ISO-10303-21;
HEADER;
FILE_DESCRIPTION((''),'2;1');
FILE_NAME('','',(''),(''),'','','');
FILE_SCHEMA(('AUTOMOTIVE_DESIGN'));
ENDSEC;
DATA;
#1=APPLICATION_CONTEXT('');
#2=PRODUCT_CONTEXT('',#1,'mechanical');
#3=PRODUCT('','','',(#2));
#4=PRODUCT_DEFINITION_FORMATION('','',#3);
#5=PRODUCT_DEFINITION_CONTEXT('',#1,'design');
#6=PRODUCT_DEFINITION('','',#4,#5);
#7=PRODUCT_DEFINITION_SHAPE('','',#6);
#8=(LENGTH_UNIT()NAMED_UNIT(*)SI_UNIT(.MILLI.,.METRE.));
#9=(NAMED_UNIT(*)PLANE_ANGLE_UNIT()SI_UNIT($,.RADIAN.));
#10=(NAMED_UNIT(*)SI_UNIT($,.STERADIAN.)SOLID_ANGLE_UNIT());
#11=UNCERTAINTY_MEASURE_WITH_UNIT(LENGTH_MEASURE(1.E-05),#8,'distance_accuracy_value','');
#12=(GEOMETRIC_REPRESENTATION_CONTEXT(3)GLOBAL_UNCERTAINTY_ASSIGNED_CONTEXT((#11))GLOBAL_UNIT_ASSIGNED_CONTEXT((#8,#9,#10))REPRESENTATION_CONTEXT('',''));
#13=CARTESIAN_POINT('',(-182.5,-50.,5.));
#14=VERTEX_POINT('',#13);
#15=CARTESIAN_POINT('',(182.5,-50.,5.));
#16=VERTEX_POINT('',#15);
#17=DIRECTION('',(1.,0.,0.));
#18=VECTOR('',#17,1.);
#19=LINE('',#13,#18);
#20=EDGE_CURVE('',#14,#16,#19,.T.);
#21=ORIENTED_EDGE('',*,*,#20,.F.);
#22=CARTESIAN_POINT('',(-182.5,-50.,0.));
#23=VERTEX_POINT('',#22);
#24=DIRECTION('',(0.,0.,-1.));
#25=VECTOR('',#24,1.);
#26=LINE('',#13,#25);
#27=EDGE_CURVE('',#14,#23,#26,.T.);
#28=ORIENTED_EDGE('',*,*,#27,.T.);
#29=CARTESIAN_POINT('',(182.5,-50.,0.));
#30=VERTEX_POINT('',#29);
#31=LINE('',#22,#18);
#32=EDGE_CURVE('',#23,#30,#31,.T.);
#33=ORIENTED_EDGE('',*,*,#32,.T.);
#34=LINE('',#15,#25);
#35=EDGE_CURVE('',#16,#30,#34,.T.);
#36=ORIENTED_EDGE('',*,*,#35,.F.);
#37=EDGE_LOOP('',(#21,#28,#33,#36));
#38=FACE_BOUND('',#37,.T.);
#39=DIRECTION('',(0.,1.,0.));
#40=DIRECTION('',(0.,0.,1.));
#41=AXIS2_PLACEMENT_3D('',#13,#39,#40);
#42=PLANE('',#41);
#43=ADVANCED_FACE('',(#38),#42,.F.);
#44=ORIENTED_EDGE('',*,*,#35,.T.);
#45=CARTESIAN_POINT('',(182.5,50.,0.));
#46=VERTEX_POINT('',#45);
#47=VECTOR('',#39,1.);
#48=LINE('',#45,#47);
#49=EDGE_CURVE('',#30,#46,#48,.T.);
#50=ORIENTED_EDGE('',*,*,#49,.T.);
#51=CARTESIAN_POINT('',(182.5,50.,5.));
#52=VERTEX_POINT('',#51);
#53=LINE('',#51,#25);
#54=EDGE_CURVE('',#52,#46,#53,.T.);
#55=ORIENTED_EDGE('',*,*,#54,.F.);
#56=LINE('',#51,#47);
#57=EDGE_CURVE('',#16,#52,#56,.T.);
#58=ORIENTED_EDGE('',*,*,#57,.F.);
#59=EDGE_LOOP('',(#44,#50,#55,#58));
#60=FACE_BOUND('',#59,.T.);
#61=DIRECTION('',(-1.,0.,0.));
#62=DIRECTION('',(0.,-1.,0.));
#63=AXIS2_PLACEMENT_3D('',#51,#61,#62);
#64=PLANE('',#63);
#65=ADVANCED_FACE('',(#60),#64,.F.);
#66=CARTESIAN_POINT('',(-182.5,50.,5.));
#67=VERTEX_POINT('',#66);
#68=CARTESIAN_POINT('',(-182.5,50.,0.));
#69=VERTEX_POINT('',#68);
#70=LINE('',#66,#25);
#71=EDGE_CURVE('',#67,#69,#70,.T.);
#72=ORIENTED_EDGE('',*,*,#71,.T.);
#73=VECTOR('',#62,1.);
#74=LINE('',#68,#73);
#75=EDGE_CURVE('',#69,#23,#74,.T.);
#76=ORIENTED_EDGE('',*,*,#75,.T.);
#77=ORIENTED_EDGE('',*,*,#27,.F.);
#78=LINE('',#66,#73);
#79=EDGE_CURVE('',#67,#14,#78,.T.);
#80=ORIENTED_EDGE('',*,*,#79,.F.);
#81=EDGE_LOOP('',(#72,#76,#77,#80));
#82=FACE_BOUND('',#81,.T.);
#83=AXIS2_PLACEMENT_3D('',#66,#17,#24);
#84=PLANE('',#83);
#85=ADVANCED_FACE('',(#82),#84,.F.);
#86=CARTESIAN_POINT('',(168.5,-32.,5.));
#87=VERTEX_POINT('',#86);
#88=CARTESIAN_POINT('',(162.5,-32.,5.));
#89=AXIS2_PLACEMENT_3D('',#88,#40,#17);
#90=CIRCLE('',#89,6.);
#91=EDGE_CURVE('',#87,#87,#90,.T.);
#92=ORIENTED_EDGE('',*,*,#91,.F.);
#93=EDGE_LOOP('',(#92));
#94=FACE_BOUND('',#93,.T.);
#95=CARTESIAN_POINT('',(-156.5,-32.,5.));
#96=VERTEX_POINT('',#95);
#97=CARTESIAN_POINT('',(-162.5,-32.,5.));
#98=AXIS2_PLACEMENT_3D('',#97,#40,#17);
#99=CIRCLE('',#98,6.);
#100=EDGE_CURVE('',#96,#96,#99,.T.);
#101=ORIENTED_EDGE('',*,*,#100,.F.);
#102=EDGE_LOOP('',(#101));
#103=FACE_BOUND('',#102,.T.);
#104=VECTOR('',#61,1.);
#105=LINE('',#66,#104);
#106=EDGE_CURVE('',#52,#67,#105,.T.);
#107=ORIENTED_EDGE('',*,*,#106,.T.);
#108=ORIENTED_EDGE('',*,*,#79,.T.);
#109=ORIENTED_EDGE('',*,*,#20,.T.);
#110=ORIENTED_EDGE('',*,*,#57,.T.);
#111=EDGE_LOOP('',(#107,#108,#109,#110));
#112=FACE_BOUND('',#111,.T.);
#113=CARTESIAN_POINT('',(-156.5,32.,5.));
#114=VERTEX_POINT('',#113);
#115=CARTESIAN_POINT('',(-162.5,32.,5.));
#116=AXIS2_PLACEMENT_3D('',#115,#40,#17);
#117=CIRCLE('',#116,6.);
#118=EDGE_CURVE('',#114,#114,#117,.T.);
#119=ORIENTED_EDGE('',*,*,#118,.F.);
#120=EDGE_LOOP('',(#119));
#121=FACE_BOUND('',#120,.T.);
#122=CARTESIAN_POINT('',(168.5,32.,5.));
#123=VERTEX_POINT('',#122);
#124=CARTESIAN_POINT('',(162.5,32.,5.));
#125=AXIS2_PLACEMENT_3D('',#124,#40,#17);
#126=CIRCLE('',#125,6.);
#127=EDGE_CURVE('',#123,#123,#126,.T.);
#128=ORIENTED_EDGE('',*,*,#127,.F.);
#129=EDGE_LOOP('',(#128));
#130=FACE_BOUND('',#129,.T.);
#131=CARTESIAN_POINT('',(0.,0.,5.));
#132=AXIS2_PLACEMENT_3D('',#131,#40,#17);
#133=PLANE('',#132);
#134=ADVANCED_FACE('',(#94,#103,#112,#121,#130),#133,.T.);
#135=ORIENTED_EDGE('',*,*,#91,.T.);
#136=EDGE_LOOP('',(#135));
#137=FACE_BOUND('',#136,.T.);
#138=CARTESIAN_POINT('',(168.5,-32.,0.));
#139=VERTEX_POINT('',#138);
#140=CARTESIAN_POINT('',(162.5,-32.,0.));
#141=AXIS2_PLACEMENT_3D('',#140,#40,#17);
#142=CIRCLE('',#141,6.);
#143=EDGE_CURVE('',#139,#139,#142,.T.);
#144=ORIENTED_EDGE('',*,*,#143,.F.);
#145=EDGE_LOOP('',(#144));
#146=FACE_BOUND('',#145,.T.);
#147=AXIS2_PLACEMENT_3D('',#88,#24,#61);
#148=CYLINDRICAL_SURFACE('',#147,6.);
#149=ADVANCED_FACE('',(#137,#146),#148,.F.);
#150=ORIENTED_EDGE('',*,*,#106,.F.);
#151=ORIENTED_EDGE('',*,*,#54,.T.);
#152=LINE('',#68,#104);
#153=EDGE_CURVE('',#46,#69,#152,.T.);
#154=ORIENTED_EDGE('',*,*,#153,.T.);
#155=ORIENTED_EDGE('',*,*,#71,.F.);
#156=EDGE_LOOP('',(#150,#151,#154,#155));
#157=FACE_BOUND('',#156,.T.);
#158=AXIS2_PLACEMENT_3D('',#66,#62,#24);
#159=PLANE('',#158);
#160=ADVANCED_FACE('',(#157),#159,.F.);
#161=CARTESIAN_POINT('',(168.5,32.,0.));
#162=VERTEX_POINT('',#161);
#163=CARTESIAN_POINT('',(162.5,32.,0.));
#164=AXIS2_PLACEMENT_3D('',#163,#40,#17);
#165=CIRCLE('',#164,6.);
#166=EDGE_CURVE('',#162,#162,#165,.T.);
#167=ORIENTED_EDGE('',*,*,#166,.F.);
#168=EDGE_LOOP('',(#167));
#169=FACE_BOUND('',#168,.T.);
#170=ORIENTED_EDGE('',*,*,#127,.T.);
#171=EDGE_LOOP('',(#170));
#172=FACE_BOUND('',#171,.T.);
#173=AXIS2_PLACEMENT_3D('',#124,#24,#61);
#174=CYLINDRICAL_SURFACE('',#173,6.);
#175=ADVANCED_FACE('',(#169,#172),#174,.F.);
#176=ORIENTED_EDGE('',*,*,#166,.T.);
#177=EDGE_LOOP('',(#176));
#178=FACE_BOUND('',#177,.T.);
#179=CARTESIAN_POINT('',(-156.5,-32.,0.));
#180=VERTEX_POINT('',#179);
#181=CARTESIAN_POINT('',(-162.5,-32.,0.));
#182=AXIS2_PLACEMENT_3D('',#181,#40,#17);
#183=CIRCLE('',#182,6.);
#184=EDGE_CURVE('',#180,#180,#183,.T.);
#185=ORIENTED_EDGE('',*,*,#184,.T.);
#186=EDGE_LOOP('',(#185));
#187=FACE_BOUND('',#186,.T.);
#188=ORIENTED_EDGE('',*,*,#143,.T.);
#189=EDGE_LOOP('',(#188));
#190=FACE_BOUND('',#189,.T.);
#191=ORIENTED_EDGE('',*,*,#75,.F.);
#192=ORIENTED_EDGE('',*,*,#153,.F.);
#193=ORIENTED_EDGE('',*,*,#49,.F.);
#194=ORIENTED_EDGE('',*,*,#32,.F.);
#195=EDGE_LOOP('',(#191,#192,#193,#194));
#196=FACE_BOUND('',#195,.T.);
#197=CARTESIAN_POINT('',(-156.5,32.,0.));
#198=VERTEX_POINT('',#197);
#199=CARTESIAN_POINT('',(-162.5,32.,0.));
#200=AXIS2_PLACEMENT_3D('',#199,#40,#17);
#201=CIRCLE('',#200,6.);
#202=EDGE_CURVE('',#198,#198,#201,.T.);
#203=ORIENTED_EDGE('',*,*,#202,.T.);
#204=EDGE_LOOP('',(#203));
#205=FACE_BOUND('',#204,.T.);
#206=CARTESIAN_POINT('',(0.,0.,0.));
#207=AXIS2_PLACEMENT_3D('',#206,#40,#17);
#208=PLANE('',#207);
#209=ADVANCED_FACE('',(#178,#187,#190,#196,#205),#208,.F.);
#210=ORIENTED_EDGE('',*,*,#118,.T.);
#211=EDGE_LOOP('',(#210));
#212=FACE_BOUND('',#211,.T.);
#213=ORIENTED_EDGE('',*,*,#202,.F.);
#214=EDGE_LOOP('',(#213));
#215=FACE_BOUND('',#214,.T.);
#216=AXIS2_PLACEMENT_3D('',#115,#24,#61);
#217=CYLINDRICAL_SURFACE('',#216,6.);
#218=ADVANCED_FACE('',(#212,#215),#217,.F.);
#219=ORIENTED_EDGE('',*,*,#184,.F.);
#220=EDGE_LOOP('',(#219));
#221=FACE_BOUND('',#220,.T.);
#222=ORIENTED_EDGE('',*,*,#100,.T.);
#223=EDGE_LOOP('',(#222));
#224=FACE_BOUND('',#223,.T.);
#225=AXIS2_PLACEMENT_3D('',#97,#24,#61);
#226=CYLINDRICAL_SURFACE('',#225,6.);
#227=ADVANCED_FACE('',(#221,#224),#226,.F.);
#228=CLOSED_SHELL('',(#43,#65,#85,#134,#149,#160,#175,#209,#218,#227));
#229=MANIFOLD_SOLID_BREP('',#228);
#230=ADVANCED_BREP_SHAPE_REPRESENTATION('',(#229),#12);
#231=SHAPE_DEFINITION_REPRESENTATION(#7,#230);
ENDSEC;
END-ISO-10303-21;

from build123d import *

# Parameters (mm, degrees)
SKETCH1_W           = 365
SKETCH1_H           = 100
SKETCH1_R           = 6
BOSS_EXTRUDE1_DEPTH = 5


with BuildPart() as part:
    # Sketch1 → Boss-Extrude1 (new body)
    with BuildSketch(Plane.XY):
        Rectangle(SKETCH1_W, SKETCH1_H)
        with Locations((162.5, 32)):
            Circle(SKETCH1_R, mode=Mode.SUBTRACT)
        with Locations((162.5, -32)):
            Circle(SKETCH1_R, mode=Mode.SUBTRACT)
        with Locations((-162.5, 32)):
            Circle(SKETCH1_R, mode=Mode.SUBTRACT)
        with Locations((-162.5, -32)):
            Circle(SKETCH1_R, mode=Mode.SUBTRACT)
    extrude(amount=BOSS_EXTRUDE1_DEPTH)


solid = part.part
